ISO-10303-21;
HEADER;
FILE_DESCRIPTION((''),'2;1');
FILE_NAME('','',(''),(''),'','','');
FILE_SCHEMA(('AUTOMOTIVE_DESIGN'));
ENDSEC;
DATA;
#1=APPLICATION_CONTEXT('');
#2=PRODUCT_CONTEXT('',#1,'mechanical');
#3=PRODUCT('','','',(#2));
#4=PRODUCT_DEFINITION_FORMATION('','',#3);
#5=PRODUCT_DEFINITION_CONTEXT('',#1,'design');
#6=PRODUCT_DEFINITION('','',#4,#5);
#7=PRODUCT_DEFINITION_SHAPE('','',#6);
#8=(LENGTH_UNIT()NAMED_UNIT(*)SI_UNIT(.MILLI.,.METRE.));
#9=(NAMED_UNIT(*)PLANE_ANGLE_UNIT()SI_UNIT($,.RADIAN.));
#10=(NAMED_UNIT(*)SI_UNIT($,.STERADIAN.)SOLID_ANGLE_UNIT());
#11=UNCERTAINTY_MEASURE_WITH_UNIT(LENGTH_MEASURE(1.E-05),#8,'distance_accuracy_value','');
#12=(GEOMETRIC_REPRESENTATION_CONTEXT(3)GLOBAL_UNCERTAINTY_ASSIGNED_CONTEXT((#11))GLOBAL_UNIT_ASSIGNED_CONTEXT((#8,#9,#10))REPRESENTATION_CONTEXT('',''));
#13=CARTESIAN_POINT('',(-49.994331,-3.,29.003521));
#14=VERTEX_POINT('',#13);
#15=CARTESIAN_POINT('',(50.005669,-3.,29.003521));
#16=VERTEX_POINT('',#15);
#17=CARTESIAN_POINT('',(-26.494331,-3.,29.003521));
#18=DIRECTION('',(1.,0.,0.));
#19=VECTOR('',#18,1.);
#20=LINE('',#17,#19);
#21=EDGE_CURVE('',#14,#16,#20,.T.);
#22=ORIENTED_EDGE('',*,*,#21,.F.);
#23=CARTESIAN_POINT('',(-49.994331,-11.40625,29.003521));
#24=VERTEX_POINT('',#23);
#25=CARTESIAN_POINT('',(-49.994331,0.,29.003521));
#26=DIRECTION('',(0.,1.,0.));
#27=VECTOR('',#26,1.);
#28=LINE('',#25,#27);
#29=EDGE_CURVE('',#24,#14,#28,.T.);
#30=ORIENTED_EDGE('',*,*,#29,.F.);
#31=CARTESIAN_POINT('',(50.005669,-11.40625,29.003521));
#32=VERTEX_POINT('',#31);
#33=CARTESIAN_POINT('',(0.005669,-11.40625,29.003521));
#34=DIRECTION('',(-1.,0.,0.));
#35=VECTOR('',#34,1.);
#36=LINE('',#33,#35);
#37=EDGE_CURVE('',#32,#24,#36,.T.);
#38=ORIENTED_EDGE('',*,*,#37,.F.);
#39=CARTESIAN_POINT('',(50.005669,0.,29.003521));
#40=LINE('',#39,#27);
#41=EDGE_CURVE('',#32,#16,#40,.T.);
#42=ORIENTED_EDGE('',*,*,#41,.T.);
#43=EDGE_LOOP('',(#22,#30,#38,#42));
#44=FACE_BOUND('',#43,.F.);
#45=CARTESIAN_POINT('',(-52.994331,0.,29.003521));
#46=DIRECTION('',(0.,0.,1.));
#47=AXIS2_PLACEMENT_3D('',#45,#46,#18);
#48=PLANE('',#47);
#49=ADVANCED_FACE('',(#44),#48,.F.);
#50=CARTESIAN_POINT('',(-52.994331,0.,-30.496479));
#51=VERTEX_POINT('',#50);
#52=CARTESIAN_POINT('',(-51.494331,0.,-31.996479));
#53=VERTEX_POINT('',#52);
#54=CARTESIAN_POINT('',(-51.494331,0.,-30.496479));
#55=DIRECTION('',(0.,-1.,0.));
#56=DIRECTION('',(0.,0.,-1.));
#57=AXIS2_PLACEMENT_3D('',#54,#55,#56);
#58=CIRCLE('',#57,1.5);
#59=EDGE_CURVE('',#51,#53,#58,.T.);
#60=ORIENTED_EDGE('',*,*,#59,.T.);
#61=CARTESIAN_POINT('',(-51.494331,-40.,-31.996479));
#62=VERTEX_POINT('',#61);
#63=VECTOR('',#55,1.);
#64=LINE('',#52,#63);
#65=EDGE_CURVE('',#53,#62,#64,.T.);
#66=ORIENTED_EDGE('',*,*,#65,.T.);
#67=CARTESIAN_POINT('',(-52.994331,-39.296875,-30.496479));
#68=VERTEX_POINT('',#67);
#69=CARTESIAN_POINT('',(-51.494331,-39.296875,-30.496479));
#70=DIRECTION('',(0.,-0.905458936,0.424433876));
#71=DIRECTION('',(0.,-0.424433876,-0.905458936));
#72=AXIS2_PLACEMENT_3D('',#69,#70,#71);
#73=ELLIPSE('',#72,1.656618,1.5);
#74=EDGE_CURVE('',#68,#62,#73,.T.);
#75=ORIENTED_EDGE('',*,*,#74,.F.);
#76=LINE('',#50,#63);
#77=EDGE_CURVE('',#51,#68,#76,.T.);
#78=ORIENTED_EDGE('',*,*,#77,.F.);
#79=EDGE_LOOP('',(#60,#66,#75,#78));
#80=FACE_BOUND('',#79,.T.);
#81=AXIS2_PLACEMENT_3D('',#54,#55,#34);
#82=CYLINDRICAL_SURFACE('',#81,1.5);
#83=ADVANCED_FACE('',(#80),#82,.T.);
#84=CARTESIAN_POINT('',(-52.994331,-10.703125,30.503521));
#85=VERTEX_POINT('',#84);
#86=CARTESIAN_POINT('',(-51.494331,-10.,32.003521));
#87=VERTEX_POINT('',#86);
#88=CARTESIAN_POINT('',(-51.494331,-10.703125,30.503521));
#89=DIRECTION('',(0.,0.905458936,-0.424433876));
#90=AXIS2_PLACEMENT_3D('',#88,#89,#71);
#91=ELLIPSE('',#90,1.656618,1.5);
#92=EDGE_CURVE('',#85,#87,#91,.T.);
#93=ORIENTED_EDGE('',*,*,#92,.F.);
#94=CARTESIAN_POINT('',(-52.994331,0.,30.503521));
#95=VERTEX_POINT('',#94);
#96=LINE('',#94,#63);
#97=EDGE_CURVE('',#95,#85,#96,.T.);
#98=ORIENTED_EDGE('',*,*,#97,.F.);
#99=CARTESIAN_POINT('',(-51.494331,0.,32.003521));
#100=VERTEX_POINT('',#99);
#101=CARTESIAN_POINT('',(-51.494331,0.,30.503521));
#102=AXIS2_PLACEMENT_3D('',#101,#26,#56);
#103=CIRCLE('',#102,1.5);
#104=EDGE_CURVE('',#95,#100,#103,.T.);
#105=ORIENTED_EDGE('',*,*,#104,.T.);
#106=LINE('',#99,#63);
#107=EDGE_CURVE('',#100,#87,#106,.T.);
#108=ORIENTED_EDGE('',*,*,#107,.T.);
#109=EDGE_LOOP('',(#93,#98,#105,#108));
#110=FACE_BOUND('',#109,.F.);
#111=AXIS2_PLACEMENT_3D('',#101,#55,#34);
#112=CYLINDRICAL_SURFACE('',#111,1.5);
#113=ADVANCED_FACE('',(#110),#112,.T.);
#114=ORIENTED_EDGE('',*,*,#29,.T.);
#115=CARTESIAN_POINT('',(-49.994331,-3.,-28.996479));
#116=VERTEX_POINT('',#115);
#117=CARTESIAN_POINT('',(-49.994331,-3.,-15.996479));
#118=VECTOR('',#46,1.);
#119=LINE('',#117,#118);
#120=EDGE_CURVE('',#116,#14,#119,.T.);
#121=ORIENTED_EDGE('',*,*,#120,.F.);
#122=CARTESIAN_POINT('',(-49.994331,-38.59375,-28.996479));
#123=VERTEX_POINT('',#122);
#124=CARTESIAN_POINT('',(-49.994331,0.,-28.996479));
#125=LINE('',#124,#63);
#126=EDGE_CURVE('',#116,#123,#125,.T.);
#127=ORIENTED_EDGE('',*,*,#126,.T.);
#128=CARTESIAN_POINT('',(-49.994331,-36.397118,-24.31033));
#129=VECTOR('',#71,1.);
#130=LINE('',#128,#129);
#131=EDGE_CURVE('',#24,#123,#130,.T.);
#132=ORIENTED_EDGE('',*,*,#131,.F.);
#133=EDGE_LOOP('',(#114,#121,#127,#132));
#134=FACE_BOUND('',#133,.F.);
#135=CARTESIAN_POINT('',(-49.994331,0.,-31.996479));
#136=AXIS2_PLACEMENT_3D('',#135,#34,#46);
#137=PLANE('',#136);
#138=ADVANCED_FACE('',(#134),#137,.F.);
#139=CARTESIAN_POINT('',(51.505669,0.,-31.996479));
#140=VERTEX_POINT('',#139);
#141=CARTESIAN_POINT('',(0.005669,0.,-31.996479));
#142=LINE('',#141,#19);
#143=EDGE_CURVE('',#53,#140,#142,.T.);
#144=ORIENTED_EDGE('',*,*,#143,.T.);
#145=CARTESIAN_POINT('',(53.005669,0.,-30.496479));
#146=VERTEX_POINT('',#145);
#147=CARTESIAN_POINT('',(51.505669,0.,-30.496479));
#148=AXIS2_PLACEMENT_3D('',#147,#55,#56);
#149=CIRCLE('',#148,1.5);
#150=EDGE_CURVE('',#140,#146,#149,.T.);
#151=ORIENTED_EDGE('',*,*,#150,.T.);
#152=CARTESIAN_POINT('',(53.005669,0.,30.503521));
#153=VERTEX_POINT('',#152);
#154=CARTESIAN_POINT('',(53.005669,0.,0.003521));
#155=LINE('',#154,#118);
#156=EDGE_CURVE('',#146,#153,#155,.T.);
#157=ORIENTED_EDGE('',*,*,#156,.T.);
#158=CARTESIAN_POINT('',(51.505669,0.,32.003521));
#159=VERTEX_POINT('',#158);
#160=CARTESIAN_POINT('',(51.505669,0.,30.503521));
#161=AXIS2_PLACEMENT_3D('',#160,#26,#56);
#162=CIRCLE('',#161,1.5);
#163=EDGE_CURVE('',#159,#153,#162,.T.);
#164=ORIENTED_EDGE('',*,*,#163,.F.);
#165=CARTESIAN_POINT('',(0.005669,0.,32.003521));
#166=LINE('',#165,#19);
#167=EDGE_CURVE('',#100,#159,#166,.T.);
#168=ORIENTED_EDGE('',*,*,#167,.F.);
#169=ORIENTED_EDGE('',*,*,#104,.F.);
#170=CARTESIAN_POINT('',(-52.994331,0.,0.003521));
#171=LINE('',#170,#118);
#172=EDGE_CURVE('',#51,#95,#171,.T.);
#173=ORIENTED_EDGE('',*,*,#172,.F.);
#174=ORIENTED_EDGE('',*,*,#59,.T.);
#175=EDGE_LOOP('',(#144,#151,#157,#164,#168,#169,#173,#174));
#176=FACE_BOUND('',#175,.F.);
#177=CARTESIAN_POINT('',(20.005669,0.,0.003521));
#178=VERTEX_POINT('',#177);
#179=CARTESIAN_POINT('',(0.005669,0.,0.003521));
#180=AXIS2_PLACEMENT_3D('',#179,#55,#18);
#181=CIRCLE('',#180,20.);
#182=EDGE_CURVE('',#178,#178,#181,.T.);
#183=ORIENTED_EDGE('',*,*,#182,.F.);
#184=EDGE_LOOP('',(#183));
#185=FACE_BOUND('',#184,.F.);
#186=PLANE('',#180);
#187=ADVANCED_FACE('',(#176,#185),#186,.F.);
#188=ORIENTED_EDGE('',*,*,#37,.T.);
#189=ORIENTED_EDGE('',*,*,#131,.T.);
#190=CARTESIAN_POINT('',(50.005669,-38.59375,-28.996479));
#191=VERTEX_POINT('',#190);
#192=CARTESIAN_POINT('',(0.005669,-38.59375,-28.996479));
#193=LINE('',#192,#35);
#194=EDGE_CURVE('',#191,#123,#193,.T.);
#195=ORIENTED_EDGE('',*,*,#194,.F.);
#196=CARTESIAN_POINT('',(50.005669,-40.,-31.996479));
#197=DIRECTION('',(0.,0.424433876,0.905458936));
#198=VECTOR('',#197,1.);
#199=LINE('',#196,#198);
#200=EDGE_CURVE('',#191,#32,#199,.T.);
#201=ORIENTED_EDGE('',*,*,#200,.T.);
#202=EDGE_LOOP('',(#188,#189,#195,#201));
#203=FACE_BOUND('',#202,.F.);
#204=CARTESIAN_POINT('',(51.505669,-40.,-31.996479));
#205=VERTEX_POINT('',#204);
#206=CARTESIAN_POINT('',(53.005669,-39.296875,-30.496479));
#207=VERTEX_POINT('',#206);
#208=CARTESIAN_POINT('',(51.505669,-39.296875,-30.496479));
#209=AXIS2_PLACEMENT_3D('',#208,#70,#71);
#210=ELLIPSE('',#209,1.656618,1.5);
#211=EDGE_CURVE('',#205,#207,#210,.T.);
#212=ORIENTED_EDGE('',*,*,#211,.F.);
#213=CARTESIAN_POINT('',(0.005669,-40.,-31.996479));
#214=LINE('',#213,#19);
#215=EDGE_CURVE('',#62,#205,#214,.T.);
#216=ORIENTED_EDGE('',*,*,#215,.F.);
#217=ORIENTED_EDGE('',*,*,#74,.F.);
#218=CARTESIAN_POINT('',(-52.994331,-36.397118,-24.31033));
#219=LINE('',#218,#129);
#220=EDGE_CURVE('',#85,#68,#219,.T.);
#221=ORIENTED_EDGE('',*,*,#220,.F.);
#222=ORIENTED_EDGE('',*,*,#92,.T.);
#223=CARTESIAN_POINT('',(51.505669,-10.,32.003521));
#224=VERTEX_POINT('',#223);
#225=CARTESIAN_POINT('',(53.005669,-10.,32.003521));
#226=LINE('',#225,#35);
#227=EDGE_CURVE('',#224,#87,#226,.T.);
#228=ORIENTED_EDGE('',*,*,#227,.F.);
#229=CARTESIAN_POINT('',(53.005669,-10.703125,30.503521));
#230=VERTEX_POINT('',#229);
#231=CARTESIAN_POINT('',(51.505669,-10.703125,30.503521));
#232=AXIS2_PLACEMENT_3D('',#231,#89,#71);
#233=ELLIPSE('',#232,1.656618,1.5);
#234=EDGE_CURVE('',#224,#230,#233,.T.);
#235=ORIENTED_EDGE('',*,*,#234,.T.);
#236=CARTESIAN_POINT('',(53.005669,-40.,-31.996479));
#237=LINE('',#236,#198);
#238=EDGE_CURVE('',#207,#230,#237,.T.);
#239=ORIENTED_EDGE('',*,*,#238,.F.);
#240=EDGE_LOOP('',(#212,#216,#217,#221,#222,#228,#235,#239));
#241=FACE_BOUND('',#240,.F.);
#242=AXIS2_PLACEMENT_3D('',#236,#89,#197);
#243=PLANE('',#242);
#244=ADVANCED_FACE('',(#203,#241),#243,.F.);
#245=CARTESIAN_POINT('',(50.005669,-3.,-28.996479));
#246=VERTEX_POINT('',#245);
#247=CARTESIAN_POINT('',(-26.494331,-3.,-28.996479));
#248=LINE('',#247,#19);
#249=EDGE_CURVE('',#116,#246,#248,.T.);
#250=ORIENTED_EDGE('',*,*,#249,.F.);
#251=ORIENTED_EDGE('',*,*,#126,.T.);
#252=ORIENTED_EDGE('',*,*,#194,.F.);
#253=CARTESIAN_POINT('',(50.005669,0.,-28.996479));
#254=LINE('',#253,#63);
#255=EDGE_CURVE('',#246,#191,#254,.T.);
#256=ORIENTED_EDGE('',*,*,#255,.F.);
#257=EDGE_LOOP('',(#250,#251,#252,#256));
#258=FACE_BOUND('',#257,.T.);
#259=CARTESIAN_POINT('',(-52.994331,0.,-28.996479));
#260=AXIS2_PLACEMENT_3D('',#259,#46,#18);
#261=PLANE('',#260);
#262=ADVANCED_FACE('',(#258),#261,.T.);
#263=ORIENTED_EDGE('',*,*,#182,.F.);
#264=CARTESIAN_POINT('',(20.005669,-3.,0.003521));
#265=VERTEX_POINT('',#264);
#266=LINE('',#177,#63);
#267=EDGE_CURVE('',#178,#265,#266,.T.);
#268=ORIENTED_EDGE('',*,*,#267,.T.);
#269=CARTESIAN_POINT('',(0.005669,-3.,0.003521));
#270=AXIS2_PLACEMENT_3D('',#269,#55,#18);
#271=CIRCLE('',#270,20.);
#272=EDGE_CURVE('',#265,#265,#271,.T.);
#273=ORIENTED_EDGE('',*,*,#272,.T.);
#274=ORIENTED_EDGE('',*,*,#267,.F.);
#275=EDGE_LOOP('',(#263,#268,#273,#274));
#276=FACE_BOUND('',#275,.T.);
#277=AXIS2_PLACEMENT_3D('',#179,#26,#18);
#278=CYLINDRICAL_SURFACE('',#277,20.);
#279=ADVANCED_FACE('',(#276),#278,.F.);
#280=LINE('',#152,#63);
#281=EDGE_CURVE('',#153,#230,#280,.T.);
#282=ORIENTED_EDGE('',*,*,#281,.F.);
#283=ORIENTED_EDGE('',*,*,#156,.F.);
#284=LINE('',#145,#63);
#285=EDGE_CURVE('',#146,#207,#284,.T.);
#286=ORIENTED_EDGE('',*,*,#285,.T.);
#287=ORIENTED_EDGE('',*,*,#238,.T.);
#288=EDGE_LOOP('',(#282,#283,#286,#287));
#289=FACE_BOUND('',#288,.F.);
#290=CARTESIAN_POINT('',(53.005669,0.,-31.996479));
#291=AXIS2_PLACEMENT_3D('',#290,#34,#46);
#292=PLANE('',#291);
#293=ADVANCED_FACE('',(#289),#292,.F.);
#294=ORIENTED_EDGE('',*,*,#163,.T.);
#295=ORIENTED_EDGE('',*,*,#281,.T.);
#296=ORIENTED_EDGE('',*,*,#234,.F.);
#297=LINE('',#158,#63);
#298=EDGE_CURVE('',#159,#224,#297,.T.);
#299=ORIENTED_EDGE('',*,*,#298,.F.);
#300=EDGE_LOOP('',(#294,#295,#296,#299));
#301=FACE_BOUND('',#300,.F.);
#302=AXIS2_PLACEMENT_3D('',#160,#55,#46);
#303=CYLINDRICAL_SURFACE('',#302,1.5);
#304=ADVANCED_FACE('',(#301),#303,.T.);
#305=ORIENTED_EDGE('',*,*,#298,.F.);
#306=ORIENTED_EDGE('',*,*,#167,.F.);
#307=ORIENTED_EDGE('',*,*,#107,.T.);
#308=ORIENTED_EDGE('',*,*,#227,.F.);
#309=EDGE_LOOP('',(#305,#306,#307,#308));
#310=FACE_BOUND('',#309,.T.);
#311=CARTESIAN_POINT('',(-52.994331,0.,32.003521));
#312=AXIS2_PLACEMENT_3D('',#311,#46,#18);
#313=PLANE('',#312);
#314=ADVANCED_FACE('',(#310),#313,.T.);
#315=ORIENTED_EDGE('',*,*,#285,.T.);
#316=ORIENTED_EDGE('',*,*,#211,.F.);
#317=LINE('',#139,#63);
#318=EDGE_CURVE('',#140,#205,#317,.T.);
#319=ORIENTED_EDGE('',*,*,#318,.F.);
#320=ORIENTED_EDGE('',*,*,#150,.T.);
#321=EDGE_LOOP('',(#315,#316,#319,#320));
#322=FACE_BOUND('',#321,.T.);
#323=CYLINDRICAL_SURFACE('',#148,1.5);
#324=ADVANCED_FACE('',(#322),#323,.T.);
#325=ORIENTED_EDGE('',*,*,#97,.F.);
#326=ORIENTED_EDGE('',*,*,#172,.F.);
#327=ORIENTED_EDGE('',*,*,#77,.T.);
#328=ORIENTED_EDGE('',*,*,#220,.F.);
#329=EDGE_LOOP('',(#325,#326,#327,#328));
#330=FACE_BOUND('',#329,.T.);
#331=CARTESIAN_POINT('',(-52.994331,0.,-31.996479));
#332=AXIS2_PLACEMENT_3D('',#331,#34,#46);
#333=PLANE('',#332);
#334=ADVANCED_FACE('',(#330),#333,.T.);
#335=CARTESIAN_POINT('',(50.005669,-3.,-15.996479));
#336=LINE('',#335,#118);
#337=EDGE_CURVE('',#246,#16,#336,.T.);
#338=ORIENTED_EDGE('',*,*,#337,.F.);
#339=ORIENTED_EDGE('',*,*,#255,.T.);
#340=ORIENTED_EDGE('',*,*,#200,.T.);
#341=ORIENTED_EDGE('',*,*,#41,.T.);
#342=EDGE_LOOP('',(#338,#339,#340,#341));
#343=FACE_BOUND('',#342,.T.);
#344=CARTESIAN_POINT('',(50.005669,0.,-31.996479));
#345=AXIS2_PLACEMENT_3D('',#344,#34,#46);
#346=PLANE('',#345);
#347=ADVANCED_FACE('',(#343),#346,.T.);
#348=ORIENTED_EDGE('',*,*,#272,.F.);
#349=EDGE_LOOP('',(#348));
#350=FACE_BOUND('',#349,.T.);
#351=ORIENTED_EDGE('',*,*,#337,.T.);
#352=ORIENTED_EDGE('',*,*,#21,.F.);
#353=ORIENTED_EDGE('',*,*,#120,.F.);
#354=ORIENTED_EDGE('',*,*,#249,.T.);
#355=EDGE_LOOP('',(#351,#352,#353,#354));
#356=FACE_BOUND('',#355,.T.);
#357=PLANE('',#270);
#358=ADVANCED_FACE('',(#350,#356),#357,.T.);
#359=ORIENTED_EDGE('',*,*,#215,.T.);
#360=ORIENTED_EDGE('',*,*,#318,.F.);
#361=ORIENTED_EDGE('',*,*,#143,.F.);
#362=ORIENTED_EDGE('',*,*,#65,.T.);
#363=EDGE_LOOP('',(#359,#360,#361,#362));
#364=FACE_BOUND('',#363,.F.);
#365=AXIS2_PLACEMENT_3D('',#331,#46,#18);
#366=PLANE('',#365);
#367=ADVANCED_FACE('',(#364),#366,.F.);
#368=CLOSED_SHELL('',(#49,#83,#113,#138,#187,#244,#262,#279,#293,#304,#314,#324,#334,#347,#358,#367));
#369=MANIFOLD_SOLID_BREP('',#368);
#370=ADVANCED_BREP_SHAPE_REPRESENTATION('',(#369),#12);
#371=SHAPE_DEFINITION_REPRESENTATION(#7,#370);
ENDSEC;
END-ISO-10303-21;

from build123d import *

# Parameters (mm, degrees)
F0_W     = 106
F0_H     = 64
F0_R     = 20
F1_DEPTH = 40
F3_DEPTH = 120
F4_R     = 1.5
F5_T     = -3


with BuildPart() as f1:
    # F0 (on Front) → F1 (new body)
    with BuildSketch(Plane.XZ):
        with Locations((0.0056690624, 0.0035208468)):
            Rectangle(F0_W, F0_H)
        with Locations((0.0056690624, 0.0035208468)):
            Circle(F0_R, mode=Mode.SUBTRACT)
    extrude(amount=F1_DEPTH)

    # F2 (on face) → F3 (cut)
    with BuildSketch(Plane.YZ.offset(53.0056690624)):
        Polygon((-40, 32.0035208468), (-40, -31.9964791532), (-10, 32.0035208468), align=None)
    extrude(amount=-F3_DEPTH, mode=Mode.SUBTRACT)

    # F4
    f4_edges = [f1.edges().sort_by_distance(p)[0] for p in [
        (53.005669, -5, 32.003521),
        (-52.994331, -5, 32.003521),
        (-52.994331, -20, -31.996479),
        (53.005669, -20, -31.996479),
    ]]
    fillet(f4_edges, radius=F4_R)

    # F5
    f5_openings = [f1.faces().sort_by_distance(p)[0] for p in [
        (0.005669, -39.459251, -30.84288),
        (-19.994331, -17.1875, 0.003521),
    ]]
    offset(amount=F5_T, openings=f5_openings)


solid = f1.part
